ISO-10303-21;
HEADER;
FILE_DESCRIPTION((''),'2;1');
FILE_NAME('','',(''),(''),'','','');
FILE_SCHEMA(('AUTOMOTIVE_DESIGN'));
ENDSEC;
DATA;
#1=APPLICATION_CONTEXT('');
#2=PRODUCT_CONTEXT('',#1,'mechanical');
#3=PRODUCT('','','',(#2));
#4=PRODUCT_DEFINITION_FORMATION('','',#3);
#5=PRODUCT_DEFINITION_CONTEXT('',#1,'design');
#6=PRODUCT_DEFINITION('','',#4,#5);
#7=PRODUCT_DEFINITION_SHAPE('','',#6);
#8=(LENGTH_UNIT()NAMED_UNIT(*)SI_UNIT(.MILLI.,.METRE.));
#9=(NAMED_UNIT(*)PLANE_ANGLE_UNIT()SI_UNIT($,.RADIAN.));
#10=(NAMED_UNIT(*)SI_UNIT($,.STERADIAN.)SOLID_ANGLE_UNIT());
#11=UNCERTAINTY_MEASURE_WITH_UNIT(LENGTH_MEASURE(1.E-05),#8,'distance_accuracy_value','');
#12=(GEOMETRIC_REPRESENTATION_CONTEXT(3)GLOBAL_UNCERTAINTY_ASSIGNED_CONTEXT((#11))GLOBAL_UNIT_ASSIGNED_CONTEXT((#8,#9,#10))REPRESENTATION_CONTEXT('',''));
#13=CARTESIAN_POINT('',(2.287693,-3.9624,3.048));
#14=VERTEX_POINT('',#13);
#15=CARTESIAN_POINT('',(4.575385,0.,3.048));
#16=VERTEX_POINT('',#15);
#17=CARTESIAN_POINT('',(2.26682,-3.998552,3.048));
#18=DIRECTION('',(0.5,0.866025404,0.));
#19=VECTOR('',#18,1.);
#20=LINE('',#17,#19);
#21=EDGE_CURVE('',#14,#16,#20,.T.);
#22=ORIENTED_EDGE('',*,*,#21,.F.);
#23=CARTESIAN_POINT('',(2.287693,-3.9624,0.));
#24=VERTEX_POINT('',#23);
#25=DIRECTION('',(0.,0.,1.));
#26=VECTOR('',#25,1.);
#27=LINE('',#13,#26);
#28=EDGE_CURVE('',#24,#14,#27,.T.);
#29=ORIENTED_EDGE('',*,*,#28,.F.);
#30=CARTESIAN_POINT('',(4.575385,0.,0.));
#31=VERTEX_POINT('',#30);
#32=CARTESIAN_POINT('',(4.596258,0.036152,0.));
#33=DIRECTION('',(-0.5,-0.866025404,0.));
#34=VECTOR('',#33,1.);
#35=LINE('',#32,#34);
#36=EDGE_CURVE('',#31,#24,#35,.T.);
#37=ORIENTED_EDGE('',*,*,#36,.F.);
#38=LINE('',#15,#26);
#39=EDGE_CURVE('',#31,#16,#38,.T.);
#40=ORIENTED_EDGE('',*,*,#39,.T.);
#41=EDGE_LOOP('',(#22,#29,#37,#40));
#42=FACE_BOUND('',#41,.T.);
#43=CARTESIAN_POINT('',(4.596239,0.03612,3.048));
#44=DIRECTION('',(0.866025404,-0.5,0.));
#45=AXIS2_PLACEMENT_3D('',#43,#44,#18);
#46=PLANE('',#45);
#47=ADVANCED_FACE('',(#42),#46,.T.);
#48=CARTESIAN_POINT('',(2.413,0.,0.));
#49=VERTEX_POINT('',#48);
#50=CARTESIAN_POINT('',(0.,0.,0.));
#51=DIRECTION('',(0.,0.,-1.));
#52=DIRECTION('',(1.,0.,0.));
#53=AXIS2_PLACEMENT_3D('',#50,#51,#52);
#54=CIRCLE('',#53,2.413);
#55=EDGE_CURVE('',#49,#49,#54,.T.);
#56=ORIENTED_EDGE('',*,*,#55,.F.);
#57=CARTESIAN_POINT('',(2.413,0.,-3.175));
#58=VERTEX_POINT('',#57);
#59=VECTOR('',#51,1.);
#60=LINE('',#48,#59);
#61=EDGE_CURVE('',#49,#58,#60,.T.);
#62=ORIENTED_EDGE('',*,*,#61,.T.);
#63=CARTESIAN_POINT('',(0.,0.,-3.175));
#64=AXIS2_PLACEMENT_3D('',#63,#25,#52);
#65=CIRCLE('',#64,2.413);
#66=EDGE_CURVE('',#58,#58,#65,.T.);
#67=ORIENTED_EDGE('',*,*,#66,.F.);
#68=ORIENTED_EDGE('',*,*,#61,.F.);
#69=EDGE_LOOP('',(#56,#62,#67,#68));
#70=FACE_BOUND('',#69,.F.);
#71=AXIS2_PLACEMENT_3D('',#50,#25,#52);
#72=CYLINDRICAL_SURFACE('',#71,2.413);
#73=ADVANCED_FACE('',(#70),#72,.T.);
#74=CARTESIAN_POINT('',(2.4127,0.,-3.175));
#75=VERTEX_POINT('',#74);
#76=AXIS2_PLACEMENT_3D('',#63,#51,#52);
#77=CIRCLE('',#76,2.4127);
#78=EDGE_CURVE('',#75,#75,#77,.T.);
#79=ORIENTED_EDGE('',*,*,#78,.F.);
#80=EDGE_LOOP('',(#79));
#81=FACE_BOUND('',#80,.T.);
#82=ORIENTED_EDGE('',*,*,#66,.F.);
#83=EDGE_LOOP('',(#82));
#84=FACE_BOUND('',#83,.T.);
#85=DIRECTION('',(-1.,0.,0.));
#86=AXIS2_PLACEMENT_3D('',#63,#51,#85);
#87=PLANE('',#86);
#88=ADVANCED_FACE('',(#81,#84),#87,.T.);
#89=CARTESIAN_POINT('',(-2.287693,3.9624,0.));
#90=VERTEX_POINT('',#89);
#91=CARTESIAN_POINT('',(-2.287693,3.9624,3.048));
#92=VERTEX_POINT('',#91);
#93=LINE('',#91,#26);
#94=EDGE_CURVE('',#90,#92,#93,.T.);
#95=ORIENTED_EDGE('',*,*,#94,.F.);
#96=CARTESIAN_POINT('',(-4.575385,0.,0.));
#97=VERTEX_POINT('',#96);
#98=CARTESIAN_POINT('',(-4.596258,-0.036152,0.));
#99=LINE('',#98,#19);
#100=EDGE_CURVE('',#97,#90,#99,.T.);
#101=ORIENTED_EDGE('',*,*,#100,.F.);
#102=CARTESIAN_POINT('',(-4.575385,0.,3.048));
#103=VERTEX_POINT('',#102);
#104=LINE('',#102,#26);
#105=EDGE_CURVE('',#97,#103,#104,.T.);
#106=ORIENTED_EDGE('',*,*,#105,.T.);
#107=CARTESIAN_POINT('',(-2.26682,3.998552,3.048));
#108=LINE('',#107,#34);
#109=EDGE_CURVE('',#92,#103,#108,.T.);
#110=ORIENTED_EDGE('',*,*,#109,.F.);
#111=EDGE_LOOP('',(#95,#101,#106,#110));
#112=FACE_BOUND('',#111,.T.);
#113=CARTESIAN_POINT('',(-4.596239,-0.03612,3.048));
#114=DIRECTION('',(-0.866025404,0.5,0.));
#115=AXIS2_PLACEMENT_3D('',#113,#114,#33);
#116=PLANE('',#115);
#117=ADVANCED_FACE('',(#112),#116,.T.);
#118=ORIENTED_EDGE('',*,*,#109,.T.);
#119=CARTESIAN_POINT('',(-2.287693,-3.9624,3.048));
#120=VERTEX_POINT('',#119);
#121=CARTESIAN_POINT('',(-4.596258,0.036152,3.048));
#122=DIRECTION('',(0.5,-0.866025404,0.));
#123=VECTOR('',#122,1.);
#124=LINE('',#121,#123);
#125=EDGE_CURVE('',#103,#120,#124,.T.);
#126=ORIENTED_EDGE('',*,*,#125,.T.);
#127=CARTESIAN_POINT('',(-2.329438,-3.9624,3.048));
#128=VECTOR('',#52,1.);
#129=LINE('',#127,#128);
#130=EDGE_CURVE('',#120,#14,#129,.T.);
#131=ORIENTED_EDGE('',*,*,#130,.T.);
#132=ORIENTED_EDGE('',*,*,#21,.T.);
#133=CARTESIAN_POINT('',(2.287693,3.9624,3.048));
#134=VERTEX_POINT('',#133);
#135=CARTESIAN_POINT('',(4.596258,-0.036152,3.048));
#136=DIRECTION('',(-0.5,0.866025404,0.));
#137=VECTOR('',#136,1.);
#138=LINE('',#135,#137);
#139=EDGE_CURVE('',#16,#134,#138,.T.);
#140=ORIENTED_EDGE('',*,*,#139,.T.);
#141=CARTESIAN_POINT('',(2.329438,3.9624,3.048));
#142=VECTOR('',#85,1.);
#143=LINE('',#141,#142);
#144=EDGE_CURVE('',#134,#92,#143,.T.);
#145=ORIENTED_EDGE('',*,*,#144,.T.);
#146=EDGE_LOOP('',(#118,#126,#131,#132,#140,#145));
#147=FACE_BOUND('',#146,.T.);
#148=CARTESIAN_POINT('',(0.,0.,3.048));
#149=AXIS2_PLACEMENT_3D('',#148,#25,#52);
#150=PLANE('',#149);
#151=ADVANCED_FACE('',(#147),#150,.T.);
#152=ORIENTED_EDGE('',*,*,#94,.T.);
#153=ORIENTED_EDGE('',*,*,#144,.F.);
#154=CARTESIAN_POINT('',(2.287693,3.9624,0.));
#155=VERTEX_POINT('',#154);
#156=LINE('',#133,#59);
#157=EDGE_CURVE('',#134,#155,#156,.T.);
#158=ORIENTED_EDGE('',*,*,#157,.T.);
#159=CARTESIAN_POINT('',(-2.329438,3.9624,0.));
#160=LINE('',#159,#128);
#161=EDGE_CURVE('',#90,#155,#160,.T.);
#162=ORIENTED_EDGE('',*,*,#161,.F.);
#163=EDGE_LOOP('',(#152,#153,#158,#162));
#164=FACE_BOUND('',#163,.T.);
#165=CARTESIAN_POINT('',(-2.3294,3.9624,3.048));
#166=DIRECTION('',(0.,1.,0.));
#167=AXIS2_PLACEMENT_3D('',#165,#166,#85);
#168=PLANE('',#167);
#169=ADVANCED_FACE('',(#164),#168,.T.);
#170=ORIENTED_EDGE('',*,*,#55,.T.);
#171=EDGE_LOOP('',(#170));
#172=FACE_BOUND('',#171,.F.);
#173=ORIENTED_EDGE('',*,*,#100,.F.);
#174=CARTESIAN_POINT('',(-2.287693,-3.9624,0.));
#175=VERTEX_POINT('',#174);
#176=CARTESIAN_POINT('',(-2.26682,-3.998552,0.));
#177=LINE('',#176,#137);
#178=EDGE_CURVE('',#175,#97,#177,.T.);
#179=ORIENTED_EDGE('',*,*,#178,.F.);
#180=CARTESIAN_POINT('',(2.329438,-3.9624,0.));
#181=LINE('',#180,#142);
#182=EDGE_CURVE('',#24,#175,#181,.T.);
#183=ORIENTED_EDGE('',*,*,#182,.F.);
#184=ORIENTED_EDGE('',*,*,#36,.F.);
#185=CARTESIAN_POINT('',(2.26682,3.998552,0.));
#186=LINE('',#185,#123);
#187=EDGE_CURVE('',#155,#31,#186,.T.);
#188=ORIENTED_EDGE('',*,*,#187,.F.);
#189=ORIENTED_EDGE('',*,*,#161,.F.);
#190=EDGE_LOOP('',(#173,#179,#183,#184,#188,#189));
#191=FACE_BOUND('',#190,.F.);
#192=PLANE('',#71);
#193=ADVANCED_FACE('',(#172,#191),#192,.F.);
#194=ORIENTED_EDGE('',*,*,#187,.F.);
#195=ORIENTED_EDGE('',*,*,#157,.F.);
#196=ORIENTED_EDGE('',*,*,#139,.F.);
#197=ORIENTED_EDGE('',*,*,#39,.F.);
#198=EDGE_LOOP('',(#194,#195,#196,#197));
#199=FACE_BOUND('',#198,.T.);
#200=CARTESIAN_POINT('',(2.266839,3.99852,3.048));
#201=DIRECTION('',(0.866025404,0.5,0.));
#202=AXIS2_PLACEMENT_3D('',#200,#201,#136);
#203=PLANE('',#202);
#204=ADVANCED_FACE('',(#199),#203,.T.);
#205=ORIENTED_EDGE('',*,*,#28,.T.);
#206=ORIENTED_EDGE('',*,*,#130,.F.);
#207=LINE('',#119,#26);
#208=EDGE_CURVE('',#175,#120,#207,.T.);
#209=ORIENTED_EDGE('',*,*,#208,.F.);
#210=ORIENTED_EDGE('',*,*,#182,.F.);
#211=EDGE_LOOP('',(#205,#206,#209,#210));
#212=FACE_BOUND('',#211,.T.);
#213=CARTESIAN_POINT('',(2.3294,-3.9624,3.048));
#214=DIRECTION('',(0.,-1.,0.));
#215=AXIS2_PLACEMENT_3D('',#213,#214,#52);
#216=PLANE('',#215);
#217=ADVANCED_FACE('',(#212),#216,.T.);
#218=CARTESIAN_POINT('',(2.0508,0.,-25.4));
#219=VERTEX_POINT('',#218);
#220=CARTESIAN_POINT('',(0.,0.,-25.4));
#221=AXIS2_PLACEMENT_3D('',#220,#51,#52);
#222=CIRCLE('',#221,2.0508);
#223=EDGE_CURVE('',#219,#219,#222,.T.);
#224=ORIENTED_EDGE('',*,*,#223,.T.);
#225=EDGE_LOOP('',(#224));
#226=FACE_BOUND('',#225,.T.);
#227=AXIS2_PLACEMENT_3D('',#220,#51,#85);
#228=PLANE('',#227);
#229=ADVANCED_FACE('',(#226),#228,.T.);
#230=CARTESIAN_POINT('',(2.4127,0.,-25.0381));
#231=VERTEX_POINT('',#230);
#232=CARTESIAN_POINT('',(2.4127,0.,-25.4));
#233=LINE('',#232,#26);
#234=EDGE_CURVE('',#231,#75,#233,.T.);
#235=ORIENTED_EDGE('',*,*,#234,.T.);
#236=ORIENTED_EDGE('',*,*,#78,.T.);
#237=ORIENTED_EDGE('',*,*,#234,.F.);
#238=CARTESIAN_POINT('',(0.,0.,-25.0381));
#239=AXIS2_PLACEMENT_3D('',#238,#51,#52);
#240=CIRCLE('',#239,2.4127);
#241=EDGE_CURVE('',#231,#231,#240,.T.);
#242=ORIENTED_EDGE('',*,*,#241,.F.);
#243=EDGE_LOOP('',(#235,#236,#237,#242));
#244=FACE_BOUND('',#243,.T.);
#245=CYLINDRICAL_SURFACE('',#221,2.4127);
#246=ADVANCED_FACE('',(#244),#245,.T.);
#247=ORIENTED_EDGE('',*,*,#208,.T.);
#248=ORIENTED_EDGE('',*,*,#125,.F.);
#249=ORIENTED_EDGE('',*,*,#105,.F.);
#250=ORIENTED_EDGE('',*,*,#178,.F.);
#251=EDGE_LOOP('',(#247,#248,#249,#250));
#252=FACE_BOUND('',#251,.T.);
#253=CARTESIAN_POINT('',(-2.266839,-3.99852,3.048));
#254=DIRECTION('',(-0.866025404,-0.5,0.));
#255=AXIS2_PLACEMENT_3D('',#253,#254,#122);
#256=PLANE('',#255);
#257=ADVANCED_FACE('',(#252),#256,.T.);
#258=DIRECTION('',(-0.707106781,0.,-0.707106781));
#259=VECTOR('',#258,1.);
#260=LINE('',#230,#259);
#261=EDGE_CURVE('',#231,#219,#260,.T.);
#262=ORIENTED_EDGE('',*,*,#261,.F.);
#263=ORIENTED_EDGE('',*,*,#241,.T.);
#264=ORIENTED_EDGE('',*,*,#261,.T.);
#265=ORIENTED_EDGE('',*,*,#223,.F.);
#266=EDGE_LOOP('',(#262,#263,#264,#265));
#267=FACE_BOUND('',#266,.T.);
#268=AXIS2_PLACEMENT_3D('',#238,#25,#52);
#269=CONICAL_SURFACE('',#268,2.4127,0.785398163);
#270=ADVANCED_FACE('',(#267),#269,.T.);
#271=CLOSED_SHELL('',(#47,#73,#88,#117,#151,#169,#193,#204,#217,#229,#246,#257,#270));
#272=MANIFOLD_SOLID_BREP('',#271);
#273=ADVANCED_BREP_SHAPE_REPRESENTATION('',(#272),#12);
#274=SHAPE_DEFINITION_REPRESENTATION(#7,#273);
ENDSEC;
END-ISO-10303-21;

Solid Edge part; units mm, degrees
sketch "Sketch1" plane through (0, 0, 0) normal (0, 0, 1) x (1, 0, 0)
  circle A0 centre (0, 0) radius 4.5964
  dimension "D1" = 9.1928
extrude "Protrusion1" add sketch "Sketch1" along normal blind 3.048
sketch "Sketch2" plane through (0, 0, 0) normal (0, 0, -1) x (1, 0, 0)
  circle A0 centre (0, 0) radius 2.413
extrude "Protrusion2" add sketch "Sketch2" along normal blind 25.4
sketch "Sketch3" plane through (0, 0, -25.4) normal (0, 0, -1) x (1, 0, 0)
  circle A0 centre (0, 0) radius 2.4127
extrude "Cutout1" cut sketch "Sketch3" against normal blind 22.225 flip side to cut
chamfer "Chamfer_1" distance 0.3619 angle 45 1 edges at (-2.4127, 0, -25.4)
sketch "Sketch4" plane through (0, 0, 3.048) normal (0, 0, 1) x (1, 0, 0)
  line L0 (-2.3294, 3.9624) -> (2.3294, 3.9624)
  dimension "D1" = 7.9248
extrude "Cutout2" cut sketch "Sketch4" against normal up to next material side at (0, 4.0124, 3.048)
pattern_circular "Pattern1" count 6 over 360 about axis through (0, 0, 3.048) along (0, 0, 1) of "Cutout2"
properties part number "185521"
